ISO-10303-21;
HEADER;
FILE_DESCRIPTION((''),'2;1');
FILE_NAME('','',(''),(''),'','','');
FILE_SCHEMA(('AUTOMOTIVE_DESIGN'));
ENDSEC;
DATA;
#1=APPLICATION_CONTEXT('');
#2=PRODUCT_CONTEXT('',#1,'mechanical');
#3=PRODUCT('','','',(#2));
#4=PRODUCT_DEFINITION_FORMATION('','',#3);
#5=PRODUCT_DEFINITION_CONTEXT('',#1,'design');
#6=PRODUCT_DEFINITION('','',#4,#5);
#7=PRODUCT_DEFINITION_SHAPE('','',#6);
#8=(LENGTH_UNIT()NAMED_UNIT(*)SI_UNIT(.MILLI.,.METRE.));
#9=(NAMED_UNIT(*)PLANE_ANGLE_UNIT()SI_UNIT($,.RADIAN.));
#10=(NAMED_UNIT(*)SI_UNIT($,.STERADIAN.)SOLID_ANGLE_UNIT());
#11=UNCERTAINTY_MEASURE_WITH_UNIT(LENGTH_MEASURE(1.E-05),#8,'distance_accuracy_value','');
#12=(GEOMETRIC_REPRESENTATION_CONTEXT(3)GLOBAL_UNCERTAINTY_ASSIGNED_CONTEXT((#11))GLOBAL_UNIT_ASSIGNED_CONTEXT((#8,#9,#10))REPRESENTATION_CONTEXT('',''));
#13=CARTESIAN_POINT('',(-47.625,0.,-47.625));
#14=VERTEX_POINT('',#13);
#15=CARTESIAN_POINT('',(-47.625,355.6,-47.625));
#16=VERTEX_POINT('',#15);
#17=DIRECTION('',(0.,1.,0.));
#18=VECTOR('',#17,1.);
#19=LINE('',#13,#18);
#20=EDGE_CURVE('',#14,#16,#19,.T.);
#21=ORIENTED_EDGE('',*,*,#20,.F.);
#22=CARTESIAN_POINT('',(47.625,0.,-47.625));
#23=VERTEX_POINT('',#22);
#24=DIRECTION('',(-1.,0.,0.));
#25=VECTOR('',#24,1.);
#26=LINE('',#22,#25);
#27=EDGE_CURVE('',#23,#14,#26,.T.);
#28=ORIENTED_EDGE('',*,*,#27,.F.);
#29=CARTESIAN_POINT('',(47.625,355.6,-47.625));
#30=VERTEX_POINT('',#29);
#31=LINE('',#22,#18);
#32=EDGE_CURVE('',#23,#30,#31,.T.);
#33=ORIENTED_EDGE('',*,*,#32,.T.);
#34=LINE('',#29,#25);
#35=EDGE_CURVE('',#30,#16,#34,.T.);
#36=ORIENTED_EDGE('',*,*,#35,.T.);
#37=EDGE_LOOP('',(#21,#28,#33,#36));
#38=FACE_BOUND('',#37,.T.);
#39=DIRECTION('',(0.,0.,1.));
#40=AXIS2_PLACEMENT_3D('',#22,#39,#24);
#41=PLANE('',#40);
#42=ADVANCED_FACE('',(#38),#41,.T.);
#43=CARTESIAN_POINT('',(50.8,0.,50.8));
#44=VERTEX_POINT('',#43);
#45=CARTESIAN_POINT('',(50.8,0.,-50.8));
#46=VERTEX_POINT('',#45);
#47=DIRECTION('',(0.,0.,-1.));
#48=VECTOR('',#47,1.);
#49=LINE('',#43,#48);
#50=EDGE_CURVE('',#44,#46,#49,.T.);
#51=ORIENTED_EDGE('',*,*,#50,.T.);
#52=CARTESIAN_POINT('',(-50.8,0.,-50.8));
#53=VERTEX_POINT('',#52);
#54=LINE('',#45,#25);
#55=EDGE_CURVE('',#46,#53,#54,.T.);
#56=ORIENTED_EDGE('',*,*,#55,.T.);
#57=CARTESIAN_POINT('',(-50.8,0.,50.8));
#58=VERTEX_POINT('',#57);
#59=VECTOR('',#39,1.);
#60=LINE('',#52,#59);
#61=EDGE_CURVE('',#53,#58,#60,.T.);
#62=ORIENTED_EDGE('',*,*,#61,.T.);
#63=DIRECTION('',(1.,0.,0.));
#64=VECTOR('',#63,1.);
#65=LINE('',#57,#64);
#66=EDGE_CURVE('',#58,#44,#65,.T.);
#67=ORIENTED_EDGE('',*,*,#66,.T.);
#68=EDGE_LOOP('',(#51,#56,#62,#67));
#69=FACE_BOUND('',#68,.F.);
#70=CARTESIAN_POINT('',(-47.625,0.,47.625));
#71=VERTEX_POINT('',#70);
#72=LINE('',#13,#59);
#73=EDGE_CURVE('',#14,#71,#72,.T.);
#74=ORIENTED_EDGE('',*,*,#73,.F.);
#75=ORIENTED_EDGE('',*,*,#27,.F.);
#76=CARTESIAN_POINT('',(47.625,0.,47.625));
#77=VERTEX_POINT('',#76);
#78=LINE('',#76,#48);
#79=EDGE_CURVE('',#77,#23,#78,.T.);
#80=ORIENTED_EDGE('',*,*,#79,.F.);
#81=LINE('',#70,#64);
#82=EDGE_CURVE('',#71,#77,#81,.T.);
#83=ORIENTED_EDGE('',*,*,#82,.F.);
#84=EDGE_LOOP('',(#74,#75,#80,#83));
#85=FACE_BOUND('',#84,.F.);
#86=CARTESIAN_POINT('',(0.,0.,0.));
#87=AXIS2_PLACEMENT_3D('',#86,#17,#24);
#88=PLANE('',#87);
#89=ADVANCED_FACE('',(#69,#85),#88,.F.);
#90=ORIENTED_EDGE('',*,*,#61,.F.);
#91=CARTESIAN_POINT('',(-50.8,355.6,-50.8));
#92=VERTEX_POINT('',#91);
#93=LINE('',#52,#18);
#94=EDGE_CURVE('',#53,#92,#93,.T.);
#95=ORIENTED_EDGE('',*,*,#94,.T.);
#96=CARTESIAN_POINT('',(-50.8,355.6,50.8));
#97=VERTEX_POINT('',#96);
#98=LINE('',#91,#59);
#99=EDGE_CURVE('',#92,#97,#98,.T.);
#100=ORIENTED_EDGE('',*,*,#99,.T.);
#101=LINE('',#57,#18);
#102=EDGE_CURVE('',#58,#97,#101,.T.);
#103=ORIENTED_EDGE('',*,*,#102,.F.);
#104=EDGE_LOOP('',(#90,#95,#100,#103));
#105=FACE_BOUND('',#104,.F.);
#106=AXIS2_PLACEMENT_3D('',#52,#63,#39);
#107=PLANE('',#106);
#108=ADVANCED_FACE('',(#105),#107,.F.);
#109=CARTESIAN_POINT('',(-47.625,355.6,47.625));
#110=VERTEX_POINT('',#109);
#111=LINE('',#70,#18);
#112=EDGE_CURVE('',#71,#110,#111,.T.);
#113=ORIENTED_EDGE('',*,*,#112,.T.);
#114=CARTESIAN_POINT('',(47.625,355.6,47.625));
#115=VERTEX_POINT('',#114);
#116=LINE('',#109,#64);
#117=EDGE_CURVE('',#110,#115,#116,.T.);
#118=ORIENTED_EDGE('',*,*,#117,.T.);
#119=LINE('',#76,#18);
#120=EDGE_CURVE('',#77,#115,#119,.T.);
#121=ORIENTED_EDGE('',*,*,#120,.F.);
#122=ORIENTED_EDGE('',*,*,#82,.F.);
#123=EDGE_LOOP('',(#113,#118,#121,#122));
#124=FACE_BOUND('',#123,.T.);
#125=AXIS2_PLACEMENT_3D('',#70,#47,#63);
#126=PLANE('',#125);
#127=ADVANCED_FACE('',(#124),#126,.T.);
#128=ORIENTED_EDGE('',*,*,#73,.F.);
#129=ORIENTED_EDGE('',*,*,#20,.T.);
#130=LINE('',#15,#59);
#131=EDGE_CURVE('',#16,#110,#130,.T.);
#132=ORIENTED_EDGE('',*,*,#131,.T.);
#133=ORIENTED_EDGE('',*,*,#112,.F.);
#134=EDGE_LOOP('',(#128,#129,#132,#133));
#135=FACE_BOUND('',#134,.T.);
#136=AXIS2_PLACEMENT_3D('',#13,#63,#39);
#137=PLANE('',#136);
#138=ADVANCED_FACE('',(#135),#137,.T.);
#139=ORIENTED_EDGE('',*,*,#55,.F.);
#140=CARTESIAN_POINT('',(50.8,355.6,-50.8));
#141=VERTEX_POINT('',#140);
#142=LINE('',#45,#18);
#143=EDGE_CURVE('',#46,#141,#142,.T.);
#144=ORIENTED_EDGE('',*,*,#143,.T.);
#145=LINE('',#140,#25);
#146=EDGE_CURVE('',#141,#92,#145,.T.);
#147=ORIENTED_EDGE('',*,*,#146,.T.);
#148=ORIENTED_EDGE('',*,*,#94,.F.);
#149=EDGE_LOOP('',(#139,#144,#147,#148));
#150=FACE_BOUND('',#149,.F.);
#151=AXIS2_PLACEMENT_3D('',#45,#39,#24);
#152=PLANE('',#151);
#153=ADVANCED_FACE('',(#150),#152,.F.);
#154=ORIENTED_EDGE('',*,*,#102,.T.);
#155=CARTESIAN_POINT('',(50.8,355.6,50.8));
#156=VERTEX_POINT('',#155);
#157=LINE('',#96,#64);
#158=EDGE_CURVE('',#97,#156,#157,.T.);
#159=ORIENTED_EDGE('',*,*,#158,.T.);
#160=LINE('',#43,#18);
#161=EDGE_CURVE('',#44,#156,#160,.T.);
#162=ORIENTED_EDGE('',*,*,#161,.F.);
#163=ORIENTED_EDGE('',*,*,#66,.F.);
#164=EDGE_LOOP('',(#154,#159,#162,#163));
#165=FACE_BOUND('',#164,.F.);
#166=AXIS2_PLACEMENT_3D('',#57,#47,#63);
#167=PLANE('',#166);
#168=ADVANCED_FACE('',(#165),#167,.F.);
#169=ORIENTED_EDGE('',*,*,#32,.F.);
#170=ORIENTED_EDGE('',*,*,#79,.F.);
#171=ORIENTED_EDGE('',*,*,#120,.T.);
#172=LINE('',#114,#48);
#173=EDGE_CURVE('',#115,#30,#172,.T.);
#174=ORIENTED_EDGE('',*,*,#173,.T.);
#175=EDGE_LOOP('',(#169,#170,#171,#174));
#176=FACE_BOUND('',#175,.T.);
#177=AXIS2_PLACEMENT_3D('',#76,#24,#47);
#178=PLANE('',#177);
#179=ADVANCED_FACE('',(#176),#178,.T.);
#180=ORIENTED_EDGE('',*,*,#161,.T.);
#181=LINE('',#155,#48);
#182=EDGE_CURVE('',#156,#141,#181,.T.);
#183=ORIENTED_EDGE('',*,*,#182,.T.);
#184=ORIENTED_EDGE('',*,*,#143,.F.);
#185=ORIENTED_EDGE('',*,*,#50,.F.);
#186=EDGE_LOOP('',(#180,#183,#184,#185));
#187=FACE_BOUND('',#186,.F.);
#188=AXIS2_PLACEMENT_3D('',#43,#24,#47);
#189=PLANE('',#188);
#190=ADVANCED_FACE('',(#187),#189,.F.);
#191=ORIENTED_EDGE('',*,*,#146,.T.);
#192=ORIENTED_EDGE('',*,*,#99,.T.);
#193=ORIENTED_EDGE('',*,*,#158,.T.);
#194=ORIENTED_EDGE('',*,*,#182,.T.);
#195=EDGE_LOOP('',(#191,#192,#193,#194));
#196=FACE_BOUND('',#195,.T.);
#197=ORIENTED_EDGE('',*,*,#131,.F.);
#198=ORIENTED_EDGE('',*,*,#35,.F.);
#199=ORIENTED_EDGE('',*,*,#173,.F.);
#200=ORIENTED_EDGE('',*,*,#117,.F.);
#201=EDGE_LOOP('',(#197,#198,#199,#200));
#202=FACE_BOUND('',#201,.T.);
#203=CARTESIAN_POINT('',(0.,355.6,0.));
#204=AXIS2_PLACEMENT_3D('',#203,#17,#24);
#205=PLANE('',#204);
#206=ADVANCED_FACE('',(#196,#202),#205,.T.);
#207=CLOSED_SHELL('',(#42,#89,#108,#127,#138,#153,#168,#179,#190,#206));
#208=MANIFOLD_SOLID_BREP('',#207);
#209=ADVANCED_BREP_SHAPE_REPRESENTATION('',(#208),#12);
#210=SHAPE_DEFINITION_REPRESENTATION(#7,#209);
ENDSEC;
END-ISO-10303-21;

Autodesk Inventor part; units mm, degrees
ref_plane "YZ Plane" through (0, 0, 0) normal (1, 0, 0) x (0, 1, 0)
ref_plane "XZ Plane" through (0, 0, 0) normal (0, 1, 0) x (-1, 0, 0)
ref_plane "XY Plane" through (0, 0, 0) normal (0, 0, 1) x (1, 0, 0)
sketch "Sketch1" plane through (0, 0, 0) normal (0, 1, 0) x (-1, 0, 0)
  line L0 (-50.8, 50.8) -> (-50.8, -50.8)
  line L1 (-50.8, -50.8) -> (50.8, -50.8)
  line L2 (50.8, -50.8) -> (50.8, 50.8)
  line L3 (50.8, 50.8) -> (-50.8, 50.8)
  line L4 (-50.8, 50.8) -> (50.8, -50.8) construction
  line L5 (-50.8, -50.8) -> (50.8, 50.8) construction
  line L6 (-47.625, 47.625) -> (-47.625, -47.625)
  line L7 (-47.625, -47.625) -> (47.625, -47.625)
  line L8 (47.625, -47.625) -> (47.625, 47.625)
  line L9 (47.625, 47.625) -> (-47.625, 47.625)
  line L10 (-47.625, 47.625) -> (47.625, -47.625) construction
  line L11 (-47.625, -47.625) -> (47.625, 47.625) construction
  point P0 (0, 0)
  dimension "d0" = 101.6
  dimension "d1" = 3.175
extrude "Extrusion1" add sketch "Sketch1" along normal blind 355.6
properties part number "AlumPost-4x4xMaxLowBaript" material "Aluminum 6061"
